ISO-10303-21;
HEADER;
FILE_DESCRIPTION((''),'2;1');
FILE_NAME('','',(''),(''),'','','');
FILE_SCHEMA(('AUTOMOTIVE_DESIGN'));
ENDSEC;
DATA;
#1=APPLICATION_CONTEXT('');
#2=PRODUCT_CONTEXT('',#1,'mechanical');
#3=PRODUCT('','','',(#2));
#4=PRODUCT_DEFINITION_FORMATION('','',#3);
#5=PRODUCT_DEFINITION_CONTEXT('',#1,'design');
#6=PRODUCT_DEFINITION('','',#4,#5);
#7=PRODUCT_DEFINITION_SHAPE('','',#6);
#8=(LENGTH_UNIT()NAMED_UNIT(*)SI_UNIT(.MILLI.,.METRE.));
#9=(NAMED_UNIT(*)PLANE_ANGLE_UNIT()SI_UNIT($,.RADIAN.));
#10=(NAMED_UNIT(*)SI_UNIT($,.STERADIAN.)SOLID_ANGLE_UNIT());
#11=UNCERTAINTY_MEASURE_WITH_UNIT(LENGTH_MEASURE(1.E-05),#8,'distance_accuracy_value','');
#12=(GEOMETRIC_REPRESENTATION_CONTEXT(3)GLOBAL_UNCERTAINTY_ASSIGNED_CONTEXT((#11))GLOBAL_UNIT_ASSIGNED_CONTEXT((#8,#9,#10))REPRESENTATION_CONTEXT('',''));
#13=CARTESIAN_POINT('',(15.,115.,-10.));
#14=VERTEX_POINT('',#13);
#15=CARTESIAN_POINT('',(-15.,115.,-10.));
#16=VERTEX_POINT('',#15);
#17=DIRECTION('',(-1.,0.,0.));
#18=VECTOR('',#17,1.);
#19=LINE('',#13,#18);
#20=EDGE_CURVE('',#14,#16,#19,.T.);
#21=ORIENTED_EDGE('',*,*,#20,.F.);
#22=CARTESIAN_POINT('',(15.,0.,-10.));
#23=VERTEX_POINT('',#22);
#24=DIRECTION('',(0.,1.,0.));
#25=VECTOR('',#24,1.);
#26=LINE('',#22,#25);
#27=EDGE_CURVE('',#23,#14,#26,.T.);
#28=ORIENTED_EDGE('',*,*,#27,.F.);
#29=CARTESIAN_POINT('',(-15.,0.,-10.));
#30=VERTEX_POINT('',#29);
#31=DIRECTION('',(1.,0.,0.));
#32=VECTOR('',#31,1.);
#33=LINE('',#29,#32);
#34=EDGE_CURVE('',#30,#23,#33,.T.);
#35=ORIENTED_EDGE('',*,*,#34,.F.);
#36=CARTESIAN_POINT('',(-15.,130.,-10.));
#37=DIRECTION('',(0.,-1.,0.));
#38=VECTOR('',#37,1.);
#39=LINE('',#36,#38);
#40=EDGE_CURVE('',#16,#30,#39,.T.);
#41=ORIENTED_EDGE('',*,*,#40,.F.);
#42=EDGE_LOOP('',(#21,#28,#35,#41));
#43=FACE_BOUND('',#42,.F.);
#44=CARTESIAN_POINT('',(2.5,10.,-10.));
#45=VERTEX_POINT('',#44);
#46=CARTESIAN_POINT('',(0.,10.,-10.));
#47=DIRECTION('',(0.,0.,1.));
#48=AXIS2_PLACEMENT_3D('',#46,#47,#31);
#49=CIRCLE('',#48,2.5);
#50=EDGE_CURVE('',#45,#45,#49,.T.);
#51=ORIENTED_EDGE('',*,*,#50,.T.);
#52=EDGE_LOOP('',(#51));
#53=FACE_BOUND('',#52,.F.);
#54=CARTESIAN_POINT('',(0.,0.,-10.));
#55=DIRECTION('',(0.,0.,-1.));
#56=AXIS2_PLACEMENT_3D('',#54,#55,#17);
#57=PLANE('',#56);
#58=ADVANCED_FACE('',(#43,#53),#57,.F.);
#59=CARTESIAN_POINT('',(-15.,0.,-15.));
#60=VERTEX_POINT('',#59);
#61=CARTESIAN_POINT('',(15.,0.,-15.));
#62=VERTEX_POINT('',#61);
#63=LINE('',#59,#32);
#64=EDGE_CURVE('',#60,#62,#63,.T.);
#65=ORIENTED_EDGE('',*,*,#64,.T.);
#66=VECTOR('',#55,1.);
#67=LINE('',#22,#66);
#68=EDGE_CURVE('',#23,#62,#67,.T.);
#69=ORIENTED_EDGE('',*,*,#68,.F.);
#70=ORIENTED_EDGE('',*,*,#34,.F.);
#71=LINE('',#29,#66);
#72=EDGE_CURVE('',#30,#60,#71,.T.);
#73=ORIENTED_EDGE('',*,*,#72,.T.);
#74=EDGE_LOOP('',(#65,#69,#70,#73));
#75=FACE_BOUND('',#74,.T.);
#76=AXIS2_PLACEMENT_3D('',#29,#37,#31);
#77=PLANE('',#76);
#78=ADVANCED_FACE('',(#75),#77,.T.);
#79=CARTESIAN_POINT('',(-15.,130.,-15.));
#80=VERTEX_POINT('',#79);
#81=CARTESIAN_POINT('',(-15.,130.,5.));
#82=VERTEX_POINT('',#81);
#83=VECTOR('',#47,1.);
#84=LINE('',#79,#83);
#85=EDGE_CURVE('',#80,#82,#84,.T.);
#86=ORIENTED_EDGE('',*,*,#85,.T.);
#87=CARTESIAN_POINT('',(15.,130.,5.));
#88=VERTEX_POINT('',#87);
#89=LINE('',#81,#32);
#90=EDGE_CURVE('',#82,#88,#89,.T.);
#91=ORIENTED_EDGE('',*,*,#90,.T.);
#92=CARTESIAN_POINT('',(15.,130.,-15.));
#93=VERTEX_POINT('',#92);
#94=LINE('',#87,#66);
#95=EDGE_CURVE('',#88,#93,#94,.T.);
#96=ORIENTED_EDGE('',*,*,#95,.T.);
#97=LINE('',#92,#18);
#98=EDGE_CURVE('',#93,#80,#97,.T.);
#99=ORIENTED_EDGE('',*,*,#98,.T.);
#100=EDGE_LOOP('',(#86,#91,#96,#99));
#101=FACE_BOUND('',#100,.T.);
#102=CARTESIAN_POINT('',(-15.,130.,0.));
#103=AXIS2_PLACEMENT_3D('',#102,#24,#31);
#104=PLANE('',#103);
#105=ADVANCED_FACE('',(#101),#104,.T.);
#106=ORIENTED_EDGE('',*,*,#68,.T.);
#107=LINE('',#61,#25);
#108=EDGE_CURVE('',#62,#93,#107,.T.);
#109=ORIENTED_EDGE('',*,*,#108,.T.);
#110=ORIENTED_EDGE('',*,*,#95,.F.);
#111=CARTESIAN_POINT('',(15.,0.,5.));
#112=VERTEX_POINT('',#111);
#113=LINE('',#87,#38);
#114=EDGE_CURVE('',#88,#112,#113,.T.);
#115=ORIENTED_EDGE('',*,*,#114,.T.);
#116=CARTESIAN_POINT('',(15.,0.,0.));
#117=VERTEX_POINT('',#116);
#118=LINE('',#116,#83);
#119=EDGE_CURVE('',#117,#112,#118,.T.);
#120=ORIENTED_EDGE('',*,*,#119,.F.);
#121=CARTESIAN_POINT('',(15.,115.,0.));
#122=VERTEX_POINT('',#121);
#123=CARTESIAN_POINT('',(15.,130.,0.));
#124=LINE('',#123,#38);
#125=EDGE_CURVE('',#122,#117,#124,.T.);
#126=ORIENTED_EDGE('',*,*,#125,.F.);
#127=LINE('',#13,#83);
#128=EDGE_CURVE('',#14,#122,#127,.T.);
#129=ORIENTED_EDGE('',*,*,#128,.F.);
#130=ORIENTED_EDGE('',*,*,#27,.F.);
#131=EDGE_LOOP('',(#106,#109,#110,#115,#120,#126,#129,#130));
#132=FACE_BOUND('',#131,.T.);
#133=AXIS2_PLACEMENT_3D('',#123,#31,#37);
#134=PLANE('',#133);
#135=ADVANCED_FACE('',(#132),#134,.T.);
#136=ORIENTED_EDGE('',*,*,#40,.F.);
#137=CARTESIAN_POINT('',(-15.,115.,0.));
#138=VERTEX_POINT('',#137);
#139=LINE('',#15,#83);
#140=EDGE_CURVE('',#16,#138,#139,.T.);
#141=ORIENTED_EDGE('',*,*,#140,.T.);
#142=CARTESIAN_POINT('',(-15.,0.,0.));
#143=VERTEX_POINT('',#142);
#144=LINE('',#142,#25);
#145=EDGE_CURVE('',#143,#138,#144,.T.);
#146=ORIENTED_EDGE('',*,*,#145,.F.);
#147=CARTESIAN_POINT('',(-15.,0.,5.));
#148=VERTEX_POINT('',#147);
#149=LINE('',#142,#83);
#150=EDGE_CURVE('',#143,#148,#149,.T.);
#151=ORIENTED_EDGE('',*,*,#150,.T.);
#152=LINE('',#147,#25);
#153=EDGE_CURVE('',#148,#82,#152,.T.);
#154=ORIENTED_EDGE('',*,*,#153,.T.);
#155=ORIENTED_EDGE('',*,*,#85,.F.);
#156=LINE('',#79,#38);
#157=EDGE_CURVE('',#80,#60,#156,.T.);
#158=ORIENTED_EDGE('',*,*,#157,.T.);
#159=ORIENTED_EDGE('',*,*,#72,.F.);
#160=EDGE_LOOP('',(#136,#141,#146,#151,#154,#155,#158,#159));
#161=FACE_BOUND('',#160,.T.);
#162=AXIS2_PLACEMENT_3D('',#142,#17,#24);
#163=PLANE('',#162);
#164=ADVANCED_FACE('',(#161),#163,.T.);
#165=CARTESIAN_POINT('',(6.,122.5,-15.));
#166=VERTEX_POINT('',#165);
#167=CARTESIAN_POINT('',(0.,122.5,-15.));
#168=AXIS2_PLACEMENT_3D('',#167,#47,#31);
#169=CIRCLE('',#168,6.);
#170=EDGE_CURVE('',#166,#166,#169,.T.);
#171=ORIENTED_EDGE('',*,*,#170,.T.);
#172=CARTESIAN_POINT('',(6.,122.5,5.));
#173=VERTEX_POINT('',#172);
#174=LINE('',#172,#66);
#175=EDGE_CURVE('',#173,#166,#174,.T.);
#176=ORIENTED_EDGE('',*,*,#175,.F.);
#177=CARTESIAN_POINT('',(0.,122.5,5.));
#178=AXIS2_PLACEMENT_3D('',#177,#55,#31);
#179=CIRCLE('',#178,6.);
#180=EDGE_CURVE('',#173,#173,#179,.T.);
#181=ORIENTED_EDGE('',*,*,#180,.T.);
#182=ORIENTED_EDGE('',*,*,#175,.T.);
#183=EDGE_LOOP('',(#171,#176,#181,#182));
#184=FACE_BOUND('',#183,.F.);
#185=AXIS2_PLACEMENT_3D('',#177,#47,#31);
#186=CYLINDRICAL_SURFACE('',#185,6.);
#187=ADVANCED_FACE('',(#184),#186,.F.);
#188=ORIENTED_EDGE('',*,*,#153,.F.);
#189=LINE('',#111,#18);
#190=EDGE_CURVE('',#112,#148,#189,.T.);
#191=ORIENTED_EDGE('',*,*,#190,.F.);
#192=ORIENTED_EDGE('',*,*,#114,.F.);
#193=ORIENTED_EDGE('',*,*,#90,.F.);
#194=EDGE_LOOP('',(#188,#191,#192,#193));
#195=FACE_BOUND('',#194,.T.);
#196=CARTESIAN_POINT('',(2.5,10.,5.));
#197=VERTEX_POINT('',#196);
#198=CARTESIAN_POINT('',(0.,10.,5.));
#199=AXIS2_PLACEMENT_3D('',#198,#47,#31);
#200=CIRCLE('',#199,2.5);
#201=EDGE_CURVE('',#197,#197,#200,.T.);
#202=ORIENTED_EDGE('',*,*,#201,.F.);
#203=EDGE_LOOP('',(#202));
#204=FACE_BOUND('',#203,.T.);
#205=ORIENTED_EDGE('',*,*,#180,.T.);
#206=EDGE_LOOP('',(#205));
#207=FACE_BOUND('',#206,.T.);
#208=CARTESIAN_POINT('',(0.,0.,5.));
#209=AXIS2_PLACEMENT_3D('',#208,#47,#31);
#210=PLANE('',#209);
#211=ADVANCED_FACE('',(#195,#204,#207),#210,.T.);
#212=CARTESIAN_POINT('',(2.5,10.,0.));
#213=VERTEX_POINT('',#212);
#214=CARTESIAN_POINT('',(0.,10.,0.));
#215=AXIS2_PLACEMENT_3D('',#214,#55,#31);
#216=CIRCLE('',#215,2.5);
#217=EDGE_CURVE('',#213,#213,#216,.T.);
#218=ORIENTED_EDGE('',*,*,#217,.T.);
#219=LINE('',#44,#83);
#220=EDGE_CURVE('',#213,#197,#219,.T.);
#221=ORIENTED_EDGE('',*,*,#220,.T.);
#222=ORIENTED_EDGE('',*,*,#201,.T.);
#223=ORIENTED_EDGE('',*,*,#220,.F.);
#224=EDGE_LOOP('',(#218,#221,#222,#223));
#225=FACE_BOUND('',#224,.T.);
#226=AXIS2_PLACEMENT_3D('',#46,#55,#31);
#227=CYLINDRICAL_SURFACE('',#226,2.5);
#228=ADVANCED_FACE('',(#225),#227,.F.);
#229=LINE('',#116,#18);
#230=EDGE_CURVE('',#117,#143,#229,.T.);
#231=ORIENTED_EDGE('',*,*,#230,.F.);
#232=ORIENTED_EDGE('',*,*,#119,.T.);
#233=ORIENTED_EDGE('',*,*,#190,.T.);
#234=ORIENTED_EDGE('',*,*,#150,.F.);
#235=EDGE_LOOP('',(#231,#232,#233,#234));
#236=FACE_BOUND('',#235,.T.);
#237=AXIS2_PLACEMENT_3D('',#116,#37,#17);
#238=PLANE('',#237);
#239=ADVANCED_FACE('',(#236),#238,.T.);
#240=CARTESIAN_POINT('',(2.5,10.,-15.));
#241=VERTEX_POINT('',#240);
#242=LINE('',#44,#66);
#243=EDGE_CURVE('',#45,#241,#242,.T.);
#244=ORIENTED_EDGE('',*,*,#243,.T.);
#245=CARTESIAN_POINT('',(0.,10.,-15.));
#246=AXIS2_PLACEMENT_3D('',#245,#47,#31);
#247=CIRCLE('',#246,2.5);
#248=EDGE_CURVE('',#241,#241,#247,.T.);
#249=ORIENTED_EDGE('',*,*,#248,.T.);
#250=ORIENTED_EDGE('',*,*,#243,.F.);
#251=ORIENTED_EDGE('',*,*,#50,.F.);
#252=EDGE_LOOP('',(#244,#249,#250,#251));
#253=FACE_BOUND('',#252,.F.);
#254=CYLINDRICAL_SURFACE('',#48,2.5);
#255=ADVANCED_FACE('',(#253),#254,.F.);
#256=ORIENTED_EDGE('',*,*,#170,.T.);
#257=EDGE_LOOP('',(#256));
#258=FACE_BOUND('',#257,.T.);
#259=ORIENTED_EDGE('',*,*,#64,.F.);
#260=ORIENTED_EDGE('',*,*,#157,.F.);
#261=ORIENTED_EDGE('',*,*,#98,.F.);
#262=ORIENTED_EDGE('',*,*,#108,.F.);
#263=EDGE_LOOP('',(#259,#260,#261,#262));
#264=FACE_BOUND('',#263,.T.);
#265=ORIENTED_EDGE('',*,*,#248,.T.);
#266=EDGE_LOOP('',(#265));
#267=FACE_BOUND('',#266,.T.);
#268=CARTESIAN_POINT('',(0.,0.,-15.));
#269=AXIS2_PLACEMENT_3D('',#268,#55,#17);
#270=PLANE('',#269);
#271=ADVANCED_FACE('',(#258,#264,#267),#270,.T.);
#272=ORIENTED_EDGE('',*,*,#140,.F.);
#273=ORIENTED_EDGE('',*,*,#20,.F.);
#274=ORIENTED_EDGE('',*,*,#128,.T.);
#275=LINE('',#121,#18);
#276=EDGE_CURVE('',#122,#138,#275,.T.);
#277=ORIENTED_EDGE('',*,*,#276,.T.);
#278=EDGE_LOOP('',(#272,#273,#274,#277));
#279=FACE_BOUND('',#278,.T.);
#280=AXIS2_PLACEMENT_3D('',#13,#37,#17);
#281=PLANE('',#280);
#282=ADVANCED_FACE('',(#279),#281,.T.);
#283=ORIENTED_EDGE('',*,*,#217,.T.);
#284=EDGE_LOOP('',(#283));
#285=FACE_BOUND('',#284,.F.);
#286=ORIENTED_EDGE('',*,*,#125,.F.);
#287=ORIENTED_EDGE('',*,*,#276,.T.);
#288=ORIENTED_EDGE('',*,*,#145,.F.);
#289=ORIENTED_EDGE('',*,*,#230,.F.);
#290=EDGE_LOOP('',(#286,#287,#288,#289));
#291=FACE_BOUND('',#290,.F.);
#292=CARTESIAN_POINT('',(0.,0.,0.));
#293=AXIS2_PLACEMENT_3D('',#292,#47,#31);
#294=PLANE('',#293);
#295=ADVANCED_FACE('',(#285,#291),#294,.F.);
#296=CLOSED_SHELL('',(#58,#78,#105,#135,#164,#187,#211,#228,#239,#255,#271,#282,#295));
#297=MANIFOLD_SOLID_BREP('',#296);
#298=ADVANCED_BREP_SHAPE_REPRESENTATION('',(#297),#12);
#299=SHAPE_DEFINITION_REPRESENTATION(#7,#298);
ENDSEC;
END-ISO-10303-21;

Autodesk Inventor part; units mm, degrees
ref_plane "YZ Plane" through (0, 0, 0) normal (1, 0, 0) x (0, 1, 0)
sketch "Sketch1" plane through (0, 0, 0) normal (0, 0, 1) x (1, 0, 0)
  point P0 (0, 0)
sketch "Sketch2" plane through (0, 0, 0) normal (0, 0, 1) x (1, 0, 0)
  line L0 (-15, 130) -> (15, 130)
  line L1 (15, 130) -> (15, 0)
  line L2 (15, 0) -> (-15, 0)
  line L3 (-15, 0) -> (-15, 130)
  point P0 (0, 0)
  point P1 (0, 0)
  dimension "d0" = 30
  dimension "d1" = 130
extrude "Extrusion1" add sketch "Sketch2" along normal blind 5
ref_plane "Work Plane1" through (0, 0, -10) normal (0, 0, -1) x (-1, 0, 0)
sketch "Sketch4" plane through (0, 0, -10) normal (0, 0, -1) x (-1, 0, 0)
  line L0 (-15, 0) -> (-15, 130) projected
  line L1 (15, 0) -> (-15, 0) projected
  line L2 (-15, 130) -> (15, 130)
  line L3 (15, 130) -> (15, 0)
  line L4 (15, 0) -> (-15, 0)
  line L5 (-15, 0) -> (-15, 130)
  point P0 (0, 0)
extrude "Extrusion3" add sketch "Sketch4" along normal blind 5
sketch "Sketch5" plane through (0, 0, -10) normal (0, 0, 1) x (1, 0, 0)
  line L0 (-15, 130) -> (-15, 0) projected
  line L1 (15, 130) -> (15, 0) projected
  line L2 (-15, 130) -> (15, 130)
  line L3 (15, 130) -> (15, 115)
  line L4 (15, 115) -> (-15, 115)
  line L5 (-15, 115) -> (-15, 130)
  point P0 (0, 0)
  point P1 (15, 130)
  dimension "d12" = 15
extrude "Extrusion4" add sketch "Sketch5" along normal blind 10
sketch "Sketch6" plane through (0, 0, -10) normal (0, 0, 1) x (1, 0, 0)
  circle A0 centre (0, 10) radius 2.5
  line L0 (-15, 0) -> (15, 0) projected
  point P0 (0, 0)
  dimension "d15" = 5
  dimension "d16" = 10
  dimension "d45" = 18.0278
extrude "Extrusion5" cut sketch "Sketch6" along normal blind 15 and the other way blind 5
ref_plane "Work Plane2" through (0, 0, -5) normal (0, 0, 1) x (1, 0, 0)
sketch "Sketch9" plane through (0, 0, 5) normal (0, 0, 1) x (1, 0, 0)
  line L0 (15, 130) -> (-15, 130) projected
  line L1 (15, 0) -> (15, 130) projected
  line L2 (0, 84.3715) -> (0, -83.7026)
  line L3 (-15, 0) -> (15, 0) projected
  line L4 (-15, 122.5) -> (15, 122.5)
  line L5 (-15, 115) -> (15, 115) projected
  circle A0 centre (0, 122.5) radius 6
  point P0 (0, 0)
  point P1 (0, 0)
  dimension "d41" = 7.5
  dimension "d42" = 12
  dimension "d46" = 15
  dimension "d47" = 45.6285
  dimension "d48" = 213.7026
extrude "Extrusion7" cut sketch "Sketch9" against normal blind 20
properties part number "pendel"
